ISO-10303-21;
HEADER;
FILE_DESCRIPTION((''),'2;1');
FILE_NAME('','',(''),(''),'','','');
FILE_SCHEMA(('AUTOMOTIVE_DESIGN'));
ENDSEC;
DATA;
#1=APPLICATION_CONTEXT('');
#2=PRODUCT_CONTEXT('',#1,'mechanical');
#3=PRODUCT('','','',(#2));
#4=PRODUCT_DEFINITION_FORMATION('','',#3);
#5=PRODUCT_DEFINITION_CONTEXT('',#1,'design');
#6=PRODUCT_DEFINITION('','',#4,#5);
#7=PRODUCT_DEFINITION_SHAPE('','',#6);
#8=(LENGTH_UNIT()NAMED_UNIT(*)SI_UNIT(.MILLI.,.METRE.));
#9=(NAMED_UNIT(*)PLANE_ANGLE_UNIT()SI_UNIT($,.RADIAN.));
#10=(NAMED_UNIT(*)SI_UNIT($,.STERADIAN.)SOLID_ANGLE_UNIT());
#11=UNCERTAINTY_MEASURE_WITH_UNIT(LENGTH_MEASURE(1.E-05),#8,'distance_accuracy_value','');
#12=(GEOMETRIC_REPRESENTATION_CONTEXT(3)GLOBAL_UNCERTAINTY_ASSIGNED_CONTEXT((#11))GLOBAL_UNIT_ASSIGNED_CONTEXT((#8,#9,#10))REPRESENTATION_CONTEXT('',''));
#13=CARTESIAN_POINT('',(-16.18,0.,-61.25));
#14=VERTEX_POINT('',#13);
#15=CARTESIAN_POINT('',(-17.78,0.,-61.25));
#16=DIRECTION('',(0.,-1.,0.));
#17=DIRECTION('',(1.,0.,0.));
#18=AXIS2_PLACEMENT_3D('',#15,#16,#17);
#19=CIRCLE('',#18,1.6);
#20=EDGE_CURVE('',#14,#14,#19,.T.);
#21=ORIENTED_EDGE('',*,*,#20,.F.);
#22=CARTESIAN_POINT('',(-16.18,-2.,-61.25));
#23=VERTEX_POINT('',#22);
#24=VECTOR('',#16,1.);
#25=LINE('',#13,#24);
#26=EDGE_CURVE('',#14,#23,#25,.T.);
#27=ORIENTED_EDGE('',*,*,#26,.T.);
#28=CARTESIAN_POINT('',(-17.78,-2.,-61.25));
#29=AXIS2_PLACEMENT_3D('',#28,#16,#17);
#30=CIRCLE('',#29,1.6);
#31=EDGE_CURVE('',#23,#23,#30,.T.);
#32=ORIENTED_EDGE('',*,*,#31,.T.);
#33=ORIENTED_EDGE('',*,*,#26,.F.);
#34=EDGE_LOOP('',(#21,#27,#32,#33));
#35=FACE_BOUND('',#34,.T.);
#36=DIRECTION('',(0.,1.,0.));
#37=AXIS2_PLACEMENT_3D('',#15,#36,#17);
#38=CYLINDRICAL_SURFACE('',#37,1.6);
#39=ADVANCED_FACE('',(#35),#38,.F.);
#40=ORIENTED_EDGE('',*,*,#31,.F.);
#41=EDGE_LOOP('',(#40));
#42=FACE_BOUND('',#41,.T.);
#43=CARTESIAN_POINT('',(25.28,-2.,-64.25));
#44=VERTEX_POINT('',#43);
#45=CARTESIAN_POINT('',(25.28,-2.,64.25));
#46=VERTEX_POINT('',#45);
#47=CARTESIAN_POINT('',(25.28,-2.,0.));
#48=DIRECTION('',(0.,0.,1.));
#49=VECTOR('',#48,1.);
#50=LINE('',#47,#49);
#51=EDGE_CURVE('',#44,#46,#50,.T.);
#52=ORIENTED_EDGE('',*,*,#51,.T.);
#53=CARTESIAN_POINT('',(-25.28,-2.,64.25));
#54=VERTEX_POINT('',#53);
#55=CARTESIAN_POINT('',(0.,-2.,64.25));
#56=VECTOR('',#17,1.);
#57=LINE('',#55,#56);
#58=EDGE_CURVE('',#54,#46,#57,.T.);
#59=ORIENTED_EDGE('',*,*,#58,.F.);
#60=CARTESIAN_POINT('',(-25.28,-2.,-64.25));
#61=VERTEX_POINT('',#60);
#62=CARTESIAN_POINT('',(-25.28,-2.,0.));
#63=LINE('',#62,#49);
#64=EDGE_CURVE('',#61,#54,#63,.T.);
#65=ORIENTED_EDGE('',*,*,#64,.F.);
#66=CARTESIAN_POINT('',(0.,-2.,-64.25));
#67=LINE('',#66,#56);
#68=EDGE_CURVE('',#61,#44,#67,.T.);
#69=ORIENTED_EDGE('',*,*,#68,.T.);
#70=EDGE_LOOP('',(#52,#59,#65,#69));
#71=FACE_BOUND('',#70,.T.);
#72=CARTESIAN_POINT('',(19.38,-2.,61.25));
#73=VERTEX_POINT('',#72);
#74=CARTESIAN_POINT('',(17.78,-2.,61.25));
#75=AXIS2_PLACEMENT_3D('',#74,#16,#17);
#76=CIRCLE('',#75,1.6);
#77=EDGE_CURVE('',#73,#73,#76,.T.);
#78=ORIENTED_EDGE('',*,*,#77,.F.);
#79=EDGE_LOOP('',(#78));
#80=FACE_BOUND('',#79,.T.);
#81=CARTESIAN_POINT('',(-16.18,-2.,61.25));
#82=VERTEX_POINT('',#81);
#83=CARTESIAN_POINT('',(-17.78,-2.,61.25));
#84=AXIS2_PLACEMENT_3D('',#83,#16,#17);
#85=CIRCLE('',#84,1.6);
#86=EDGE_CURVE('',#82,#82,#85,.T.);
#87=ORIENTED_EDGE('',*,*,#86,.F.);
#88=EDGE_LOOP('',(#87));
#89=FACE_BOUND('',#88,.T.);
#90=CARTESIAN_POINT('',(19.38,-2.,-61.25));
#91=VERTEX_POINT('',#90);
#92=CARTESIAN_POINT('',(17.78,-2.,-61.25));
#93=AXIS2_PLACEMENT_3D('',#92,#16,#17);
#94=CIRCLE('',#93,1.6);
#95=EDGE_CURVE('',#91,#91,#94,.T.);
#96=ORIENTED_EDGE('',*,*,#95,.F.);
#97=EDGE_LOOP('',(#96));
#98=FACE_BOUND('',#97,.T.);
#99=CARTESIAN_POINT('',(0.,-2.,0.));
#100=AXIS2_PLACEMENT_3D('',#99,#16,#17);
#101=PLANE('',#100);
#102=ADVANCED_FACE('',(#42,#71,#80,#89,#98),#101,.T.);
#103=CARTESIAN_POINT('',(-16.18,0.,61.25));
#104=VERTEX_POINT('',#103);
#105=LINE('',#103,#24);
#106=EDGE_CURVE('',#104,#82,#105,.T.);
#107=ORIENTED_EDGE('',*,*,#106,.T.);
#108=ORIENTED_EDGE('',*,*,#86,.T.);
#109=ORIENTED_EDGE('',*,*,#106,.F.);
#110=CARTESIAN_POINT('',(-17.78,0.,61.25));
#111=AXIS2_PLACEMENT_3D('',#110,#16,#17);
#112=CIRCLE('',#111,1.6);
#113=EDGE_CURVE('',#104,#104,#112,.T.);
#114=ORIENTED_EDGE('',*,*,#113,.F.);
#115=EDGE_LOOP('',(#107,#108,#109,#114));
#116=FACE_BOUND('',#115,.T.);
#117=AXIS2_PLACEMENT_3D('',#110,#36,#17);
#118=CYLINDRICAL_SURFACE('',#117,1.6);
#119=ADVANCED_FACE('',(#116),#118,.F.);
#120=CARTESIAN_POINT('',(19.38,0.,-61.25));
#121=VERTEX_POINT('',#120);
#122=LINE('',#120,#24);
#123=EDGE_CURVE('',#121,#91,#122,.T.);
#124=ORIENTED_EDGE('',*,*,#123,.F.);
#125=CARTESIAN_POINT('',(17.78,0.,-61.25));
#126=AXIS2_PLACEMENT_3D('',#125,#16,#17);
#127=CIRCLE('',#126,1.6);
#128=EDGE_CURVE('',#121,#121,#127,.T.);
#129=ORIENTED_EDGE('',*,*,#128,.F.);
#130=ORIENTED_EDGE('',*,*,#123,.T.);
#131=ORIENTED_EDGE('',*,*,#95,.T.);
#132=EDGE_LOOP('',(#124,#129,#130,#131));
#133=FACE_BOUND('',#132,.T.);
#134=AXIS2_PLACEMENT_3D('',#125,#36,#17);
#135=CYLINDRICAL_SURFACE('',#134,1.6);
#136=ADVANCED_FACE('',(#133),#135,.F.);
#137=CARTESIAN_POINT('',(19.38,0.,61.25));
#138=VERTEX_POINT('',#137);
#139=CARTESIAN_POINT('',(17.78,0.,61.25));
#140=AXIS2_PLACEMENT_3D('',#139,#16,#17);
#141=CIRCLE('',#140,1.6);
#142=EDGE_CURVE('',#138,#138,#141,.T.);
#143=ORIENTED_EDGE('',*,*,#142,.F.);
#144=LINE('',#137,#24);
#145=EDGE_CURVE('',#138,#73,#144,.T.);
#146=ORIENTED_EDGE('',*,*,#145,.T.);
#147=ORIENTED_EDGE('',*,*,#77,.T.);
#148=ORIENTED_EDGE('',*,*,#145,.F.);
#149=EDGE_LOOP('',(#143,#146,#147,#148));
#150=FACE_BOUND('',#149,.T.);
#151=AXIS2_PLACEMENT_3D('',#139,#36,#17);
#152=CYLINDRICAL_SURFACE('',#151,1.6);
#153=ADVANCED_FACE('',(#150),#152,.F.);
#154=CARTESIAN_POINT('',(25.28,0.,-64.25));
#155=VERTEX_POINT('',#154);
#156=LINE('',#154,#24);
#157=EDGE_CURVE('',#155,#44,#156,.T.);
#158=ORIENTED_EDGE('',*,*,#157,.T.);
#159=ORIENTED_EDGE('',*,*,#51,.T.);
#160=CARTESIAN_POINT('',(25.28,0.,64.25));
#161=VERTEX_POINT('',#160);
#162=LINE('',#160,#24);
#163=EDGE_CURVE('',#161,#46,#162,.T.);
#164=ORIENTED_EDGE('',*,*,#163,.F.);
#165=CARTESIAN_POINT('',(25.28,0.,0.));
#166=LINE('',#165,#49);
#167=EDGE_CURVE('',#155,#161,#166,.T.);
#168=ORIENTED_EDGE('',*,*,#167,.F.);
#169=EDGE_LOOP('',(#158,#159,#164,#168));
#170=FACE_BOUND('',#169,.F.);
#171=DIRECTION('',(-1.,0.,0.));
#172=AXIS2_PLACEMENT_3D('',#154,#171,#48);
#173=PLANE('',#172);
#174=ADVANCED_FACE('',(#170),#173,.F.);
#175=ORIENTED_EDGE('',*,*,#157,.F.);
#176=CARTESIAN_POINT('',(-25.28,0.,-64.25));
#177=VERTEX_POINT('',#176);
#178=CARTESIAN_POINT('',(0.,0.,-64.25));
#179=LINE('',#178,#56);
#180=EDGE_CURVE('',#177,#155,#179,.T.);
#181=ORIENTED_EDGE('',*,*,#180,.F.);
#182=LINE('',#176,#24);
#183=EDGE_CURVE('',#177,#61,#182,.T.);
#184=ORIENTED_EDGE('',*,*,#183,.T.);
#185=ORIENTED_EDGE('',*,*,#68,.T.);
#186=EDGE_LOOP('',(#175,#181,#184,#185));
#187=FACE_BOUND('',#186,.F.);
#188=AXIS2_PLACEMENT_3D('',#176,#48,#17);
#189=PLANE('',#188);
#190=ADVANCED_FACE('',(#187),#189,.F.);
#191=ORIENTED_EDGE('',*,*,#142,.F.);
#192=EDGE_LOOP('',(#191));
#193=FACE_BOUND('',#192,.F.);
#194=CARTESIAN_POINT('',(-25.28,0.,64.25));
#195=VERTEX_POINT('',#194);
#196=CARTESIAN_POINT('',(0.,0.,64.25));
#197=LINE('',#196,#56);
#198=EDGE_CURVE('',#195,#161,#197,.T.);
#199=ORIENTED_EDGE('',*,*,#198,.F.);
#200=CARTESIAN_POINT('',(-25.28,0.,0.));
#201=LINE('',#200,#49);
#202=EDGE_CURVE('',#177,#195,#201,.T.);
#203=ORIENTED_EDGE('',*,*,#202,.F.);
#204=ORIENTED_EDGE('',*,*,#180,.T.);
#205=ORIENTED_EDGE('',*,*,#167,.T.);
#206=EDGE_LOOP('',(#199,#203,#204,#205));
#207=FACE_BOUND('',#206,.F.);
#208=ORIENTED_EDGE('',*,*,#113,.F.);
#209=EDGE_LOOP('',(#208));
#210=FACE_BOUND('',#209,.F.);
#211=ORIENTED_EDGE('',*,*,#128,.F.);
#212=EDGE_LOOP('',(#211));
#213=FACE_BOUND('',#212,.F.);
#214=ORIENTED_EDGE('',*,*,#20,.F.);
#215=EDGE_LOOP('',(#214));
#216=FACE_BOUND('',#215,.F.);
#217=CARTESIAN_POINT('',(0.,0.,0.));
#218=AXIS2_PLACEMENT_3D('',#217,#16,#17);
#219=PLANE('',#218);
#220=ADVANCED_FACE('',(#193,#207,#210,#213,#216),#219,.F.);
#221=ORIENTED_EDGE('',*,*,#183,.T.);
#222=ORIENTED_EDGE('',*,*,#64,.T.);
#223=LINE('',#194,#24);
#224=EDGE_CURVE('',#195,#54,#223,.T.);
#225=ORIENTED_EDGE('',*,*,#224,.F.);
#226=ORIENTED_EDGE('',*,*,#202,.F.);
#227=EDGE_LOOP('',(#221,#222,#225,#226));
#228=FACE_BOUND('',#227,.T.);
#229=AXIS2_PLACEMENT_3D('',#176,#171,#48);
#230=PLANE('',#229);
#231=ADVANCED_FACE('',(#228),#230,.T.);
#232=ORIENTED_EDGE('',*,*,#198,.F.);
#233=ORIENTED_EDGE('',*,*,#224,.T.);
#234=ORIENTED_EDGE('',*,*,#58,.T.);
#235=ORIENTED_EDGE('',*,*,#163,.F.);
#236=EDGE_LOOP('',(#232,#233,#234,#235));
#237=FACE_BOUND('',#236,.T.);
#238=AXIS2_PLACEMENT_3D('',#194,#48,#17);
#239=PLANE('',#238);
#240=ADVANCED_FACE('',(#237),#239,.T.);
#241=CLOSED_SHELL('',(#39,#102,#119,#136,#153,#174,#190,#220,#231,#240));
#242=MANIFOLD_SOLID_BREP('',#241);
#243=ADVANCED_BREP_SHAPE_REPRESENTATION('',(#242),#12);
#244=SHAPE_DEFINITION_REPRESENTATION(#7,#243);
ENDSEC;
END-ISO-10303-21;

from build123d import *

# Parameters (mm, degrees)
SKETCH_W  = 50.56
SKETCH_H  = 128.5
SKETCH_R  = 1.6
PAD_DEPTH = 2


with BuildPart() as part:
    # Sketch → Pad (new body)
    with BuildSketch(Plane.XZ):
        Rectangle(SKETCH_W, SKETCH_H)
        with Locations((-17.78, 61.25)):
            Circle(SKETCH_R, mode=Mode.SUBTRACT)
        with Locations((17.78, 61.25)):
            Circle(SKETCH_R, mode=Mode.SUBTRACT)
        with Locations((17.78, -61.25)):
            Circle(SKETCH_R, mode=Mode.SUBTRACT)
        with Locations((-17.78, -61.25)):
            Circle(SKETCH_R, mode=Mode.SUBTRACT)
    extrude(amount=PAD_DEPTH)


solid = part.part
